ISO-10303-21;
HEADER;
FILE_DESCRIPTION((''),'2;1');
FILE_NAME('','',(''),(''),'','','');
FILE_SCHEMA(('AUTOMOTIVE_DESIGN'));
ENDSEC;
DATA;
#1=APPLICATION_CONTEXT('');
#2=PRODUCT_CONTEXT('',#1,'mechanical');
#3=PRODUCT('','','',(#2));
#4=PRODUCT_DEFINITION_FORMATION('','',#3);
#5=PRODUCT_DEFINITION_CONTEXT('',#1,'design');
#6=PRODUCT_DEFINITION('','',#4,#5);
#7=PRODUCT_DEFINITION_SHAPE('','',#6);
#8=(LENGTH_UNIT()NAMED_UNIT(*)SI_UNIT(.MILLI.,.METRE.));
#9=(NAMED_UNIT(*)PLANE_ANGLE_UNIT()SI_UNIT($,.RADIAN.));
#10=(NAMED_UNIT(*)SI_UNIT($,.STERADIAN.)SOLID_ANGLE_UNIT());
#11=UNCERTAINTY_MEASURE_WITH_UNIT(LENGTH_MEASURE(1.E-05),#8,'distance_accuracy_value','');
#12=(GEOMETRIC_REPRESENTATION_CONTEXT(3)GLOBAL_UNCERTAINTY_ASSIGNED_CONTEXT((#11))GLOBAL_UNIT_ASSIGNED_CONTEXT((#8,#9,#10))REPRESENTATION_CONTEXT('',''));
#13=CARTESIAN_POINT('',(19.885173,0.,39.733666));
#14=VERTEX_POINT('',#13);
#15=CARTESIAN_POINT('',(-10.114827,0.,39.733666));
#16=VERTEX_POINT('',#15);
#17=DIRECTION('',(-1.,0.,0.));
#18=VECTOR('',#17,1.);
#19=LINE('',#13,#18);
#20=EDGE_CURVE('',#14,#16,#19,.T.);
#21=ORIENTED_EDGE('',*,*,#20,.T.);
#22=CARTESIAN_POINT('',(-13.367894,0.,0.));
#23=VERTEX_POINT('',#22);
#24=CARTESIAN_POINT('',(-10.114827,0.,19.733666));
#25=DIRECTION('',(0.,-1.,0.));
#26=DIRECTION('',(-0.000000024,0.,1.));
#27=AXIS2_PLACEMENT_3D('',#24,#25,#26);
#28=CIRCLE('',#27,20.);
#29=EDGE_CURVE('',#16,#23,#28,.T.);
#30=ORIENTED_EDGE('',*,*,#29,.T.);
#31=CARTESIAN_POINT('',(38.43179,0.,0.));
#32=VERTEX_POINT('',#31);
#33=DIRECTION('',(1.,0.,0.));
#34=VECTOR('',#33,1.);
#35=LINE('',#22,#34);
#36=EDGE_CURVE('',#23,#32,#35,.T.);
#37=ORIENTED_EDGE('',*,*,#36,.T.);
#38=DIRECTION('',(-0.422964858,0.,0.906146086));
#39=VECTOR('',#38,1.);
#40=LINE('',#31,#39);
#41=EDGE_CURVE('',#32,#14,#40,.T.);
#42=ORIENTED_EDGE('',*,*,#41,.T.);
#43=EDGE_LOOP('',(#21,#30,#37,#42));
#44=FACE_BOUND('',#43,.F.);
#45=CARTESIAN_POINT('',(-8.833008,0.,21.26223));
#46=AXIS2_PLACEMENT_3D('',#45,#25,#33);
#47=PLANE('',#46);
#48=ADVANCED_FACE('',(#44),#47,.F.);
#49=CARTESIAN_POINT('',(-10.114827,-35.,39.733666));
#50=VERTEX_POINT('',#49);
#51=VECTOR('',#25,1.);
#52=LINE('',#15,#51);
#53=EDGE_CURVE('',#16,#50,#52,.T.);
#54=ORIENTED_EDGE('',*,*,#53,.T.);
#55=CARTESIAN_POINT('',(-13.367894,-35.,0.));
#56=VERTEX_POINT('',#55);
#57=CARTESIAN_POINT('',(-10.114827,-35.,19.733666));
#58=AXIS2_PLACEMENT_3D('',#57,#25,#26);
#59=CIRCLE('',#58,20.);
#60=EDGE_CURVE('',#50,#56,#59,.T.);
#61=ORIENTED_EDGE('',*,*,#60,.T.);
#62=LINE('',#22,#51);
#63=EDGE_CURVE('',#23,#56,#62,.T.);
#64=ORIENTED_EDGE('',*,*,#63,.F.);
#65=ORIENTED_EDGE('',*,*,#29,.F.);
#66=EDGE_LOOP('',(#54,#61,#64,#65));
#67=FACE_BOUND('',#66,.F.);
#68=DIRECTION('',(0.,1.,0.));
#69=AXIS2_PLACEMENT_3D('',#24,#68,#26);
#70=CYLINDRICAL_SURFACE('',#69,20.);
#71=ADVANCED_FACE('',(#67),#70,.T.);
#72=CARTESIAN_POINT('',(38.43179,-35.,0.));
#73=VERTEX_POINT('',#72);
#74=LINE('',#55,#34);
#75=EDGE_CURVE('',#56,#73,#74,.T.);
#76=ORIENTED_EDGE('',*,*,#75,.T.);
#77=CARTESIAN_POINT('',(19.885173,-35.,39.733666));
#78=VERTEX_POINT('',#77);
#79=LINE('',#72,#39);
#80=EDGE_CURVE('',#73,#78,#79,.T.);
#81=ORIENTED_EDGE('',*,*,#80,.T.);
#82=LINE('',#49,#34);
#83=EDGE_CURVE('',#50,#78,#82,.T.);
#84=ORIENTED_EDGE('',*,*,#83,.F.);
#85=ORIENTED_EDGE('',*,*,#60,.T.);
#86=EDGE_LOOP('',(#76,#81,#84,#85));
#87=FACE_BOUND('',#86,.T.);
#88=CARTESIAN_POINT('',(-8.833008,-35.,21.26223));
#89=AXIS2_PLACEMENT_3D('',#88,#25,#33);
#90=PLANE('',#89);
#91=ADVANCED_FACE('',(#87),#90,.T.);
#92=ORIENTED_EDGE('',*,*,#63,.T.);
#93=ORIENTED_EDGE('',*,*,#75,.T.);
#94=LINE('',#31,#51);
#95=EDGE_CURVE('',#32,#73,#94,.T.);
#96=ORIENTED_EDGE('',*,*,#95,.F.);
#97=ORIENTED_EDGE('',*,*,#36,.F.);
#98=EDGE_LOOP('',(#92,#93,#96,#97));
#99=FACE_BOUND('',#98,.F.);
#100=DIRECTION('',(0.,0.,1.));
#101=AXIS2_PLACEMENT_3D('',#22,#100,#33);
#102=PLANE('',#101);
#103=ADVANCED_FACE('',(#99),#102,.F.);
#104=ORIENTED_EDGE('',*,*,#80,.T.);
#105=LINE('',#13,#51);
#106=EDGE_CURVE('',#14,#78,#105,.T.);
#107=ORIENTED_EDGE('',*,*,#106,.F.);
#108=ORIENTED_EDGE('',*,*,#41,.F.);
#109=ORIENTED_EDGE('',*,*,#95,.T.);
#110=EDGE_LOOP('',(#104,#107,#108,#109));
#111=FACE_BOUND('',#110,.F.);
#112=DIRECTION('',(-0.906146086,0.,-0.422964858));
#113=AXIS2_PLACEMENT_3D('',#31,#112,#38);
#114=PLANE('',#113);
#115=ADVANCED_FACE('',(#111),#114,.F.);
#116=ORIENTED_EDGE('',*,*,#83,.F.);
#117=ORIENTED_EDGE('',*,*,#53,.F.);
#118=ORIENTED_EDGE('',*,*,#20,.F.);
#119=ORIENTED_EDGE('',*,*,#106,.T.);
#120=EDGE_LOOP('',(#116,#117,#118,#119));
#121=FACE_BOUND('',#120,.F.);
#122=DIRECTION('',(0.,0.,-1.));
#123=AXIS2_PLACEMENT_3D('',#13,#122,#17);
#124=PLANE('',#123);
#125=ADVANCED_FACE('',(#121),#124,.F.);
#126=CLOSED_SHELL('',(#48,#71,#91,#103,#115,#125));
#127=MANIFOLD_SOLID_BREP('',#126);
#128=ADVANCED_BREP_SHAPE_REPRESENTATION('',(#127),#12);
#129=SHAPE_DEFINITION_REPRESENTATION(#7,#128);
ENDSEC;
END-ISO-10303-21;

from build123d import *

# Parameters (mm, degrees)
F1_DEPTH = 35
F2_W     = 9.970975
F2_H     = 35
F3_DEPTH = 8


with BuildPart() as f1:
    # F0 (on Front) → F1 (new body)
    with BuildSketch(Plane.XZ):
        with BuildLine():
            Line((0, 39.733666), (-10.114827, 39.733666))
            ThreePointArc((-10.114827, 39.733666), (-30.048132, 21.365641), (-13.367894, 0))
            Line((-13.367894, 0), (0, 0))
            Line((0, 0), (10, 39.733666))
            Line((10, 39.733666), (0, 39.733666))
        make_face()
        Polygon((19.885173, 39.733666), (10, 39.733666), (0, 0), (38.43179, 0), align=None)
    extrude(amount=F1_DEPTH)

    # F2 (on face) → F3 (join)
    with BuildSketch(Plane.XY.offset(39.733666)):
        with Locations((4.985487, -17.5)):
            Rectangle(F2_W, F2_H)
    extrude(amount=-F3_DEPTH)


solid = f1.part
